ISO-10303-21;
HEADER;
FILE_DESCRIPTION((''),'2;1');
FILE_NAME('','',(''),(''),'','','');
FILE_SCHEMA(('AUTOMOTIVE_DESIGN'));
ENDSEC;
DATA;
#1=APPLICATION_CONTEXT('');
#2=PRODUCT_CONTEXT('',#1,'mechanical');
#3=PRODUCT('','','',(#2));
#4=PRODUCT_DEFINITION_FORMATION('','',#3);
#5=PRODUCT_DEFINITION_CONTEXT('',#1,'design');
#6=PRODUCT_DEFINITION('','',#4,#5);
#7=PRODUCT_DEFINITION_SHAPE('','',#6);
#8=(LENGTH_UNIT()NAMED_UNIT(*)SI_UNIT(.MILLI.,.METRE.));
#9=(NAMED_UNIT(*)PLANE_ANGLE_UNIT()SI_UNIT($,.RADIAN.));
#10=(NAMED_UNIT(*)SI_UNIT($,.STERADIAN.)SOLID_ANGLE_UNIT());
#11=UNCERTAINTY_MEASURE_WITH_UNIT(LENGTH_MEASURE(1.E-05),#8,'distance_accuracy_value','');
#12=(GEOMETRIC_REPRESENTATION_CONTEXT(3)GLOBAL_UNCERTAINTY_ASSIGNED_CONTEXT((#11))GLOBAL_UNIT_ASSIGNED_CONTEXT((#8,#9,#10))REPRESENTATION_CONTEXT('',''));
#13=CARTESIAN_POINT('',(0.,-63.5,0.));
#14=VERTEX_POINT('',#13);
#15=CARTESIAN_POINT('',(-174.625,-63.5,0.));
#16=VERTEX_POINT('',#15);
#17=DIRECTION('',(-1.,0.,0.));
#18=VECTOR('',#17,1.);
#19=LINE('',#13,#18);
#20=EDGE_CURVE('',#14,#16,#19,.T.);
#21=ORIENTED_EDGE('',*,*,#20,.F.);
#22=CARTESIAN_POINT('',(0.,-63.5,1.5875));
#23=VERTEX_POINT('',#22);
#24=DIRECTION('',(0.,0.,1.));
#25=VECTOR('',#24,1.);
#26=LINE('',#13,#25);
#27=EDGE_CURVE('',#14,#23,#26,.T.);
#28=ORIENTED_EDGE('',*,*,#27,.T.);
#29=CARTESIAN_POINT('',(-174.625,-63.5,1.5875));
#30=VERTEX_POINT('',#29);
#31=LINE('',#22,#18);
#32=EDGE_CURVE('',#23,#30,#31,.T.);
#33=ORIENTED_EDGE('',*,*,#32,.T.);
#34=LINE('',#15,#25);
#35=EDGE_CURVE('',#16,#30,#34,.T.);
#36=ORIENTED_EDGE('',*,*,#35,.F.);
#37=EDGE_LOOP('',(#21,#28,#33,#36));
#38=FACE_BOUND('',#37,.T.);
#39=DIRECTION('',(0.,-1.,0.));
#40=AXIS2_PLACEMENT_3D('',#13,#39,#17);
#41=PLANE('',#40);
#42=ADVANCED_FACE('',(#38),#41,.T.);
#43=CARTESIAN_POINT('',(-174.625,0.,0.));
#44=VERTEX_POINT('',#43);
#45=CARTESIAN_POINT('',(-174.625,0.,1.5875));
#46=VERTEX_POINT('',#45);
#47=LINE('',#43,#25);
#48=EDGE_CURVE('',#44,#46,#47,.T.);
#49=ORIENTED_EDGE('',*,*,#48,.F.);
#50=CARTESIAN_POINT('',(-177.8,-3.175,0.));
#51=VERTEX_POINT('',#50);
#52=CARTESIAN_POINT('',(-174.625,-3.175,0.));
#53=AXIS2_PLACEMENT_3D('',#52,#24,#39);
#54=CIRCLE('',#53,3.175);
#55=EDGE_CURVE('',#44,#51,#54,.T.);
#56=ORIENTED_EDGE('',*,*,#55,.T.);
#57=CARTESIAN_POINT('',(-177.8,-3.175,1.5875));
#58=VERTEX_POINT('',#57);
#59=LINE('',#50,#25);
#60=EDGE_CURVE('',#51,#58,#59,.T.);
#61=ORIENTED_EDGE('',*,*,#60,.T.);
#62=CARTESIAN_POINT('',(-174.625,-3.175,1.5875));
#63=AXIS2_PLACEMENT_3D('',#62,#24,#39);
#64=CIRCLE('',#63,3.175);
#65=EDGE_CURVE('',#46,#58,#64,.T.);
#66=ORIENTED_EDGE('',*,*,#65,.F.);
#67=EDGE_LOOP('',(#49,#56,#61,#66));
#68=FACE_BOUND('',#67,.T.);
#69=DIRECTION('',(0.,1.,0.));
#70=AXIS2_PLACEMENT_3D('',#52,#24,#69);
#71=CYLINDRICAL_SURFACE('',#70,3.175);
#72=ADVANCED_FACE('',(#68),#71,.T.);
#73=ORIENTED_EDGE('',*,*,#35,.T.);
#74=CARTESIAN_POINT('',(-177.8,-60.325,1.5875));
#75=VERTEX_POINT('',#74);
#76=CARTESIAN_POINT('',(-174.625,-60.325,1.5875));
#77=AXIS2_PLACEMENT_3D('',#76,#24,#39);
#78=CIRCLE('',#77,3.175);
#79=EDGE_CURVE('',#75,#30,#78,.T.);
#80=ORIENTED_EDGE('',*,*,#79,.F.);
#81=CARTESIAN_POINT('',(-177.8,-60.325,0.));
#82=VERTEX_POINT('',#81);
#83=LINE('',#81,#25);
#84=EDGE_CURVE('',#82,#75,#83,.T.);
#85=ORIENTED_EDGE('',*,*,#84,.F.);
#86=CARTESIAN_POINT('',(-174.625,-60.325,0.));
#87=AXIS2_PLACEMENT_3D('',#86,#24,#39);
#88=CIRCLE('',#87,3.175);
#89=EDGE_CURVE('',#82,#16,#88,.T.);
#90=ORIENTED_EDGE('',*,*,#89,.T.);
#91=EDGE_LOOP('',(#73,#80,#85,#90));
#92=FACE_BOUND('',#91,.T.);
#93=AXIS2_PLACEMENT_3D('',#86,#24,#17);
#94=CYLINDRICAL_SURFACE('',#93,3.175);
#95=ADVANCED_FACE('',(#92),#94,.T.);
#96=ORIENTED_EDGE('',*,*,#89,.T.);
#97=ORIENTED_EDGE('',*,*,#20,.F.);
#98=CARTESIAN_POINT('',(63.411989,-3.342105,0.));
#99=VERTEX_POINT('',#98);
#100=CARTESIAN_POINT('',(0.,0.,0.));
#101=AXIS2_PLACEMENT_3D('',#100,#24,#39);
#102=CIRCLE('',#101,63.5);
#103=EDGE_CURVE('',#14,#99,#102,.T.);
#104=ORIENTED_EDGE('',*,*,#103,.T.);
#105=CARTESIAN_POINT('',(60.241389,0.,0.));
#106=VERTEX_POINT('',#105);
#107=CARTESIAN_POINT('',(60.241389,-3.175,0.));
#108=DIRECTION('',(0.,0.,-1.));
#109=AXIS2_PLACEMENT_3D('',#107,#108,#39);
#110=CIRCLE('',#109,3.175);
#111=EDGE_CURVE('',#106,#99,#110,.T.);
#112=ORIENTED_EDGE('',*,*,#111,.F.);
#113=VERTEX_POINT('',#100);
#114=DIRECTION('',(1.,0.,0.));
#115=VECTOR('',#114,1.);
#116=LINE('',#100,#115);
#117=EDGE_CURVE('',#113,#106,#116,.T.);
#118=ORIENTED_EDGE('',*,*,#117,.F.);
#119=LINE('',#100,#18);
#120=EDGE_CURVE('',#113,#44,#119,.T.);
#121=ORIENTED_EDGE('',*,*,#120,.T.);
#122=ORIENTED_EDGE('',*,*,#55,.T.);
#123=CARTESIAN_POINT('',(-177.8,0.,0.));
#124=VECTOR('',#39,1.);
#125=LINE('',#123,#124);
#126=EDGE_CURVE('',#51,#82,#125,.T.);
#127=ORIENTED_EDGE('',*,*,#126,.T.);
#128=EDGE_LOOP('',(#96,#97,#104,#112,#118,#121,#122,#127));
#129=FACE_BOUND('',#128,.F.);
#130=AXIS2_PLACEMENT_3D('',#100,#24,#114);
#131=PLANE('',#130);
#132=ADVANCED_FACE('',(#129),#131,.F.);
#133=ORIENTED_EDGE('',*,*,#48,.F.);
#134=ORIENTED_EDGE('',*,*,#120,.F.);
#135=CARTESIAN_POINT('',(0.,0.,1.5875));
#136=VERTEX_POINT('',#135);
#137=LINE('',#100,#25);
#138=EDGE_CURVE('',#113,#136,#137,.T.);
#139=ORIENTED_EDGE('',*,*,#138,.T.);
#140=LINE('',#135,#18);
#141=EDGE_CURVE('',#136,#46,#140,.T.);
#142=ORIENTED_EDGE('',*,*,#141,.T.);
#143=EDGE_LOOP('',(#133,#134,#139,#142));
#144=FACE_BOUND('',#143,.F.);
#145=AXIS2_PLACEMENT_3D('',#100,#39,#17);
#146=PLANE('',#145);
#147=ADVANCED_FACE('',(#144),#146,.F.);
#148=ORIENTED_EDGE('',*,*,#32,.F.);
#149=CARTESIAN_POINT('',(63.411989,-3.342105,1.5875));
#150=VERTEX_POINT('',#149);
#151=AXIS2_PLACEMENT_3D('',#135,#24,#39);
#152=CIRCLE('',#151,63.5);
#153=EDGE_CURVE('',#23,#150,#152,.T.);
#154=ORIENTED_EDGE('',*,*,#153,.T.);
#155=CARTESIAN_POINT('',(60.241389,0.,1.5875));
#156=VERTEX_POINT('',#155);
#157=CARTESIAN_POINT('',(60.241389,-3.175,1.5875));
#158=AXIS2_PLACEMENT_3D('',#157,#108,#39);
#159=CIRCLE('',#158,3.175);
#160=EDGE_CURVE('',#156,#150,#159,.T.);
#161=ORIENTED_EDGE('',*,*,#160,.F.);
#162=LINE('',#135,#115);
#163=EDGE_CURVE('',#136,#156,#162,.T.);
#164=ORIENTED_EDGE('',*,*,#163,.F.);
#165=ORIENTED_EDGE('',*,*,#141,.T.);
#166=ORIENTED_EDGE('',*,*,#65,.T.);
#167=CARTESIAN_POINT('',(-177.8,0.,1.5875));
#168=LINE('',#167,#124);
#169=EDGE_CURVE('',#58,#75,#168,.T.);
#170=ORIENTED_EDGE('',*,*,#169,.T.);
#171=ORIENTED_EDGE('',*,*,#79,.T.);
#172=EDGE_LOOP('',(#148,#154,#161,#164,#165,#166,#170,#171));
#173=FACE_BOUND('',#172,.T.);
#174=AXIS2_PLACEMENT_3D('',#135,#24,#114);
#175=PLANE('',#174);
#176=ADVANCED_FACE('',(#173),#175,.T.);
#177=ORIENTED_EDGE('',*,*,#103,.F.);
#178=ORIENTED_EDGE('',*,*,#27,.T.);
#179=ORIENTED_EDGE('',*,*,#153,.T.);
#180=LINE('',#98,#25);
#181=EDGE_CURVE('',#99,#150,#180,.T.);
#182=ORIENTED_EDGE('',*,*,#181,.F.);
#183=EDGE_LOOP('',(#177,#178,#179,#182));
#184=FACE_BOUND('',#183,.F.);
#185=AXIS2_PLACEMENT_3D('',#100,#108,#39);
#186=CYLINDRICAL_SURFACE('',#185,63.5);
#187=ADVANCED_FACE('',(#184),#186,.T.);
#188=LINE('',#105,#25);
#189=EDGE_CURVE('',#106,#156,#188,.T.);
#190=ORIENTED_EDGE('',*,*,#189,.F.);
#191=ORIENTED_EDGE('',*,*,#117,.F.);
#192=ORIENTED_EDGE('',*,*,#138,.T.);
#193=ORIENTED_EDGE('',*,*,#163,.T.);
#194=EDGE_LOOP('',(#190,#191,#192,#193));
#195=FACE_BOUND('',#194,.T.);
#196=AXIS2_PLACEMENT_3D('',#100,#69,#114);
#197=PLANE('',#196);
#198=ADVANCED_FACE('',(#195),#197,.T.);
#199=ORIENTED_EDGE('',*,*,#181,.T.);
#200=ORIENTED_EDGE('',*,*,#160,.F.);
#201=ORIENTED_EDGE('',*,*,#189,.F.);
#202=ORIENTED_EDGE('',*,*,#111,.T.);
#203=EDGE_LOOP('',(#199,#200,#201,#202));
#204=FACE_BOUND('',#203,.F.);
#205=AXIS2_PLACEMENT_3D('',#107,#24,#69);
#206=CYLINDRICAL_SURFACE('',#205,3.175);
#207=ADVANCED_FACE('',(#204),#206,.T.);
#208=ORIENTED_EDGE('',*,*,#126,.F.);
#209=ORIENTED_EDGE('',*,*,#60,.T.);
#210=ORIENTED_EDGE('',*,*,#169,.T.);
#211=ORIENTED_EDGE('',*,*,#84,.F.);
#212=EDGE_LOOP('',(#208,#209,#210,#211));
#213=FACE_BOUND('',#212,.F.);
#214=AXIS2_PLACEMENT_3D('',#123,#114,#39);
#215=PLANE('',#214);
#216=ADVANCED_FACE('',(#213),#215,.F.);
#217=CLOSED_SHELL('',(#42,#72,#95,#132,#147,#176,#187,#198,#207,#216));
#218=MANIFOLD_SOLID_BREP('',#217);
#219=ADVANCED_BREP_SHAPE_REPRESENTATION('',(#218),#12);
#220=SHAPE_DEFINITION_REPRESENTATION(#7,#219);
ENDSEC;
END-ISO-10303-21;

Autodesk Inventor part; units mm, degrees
ref_plane "YZ Plane" through (0, 0, 0) normal (1, 0, 0) x (0, 1, 0)
ref_plane "XZ Plane" through (0, 0, 0) normal (0, 1, 0) x (-1, 0, 0)
ref_plane "XY Plane" through (0, 0, 0) normal (0, 0, 1) x (1, 0, 0)
sketch "Sketch1" plane through (0, 0, 0) normal (0, 0, 1) x (1, 0, 0)
  arc A0 (0, -63.5) -> (63.5, 0) centre (0, 0) ccw
  line L0 (0, 0) -> (-177.8, 0)
  line L1 (0, -63.5) -> (-177.8, -63.5)
  line L2 (-177.8, 0) -> (-177.8, -63.5)
  line L3 (0, 0) -> (63.5, 0)
  dimension "d0" = 127
  dimension "d1" = 177.8
  dimension "d2" = 177.8
extrude "Extrusion1" add sketch "Sketch1" along normal blind 1.5875
fillet "Fillet1" radius 3.175 1 edges at (63.5, 0, 0.7937)
fillet "Fillet2" radius 3.175 1 edges at (-177.8, 0, 0.7937)
fillet "Fillet3" radius 3.175 1 edges at (-177.8, -63.5, 0.7937)
properties part number "Flaps"
